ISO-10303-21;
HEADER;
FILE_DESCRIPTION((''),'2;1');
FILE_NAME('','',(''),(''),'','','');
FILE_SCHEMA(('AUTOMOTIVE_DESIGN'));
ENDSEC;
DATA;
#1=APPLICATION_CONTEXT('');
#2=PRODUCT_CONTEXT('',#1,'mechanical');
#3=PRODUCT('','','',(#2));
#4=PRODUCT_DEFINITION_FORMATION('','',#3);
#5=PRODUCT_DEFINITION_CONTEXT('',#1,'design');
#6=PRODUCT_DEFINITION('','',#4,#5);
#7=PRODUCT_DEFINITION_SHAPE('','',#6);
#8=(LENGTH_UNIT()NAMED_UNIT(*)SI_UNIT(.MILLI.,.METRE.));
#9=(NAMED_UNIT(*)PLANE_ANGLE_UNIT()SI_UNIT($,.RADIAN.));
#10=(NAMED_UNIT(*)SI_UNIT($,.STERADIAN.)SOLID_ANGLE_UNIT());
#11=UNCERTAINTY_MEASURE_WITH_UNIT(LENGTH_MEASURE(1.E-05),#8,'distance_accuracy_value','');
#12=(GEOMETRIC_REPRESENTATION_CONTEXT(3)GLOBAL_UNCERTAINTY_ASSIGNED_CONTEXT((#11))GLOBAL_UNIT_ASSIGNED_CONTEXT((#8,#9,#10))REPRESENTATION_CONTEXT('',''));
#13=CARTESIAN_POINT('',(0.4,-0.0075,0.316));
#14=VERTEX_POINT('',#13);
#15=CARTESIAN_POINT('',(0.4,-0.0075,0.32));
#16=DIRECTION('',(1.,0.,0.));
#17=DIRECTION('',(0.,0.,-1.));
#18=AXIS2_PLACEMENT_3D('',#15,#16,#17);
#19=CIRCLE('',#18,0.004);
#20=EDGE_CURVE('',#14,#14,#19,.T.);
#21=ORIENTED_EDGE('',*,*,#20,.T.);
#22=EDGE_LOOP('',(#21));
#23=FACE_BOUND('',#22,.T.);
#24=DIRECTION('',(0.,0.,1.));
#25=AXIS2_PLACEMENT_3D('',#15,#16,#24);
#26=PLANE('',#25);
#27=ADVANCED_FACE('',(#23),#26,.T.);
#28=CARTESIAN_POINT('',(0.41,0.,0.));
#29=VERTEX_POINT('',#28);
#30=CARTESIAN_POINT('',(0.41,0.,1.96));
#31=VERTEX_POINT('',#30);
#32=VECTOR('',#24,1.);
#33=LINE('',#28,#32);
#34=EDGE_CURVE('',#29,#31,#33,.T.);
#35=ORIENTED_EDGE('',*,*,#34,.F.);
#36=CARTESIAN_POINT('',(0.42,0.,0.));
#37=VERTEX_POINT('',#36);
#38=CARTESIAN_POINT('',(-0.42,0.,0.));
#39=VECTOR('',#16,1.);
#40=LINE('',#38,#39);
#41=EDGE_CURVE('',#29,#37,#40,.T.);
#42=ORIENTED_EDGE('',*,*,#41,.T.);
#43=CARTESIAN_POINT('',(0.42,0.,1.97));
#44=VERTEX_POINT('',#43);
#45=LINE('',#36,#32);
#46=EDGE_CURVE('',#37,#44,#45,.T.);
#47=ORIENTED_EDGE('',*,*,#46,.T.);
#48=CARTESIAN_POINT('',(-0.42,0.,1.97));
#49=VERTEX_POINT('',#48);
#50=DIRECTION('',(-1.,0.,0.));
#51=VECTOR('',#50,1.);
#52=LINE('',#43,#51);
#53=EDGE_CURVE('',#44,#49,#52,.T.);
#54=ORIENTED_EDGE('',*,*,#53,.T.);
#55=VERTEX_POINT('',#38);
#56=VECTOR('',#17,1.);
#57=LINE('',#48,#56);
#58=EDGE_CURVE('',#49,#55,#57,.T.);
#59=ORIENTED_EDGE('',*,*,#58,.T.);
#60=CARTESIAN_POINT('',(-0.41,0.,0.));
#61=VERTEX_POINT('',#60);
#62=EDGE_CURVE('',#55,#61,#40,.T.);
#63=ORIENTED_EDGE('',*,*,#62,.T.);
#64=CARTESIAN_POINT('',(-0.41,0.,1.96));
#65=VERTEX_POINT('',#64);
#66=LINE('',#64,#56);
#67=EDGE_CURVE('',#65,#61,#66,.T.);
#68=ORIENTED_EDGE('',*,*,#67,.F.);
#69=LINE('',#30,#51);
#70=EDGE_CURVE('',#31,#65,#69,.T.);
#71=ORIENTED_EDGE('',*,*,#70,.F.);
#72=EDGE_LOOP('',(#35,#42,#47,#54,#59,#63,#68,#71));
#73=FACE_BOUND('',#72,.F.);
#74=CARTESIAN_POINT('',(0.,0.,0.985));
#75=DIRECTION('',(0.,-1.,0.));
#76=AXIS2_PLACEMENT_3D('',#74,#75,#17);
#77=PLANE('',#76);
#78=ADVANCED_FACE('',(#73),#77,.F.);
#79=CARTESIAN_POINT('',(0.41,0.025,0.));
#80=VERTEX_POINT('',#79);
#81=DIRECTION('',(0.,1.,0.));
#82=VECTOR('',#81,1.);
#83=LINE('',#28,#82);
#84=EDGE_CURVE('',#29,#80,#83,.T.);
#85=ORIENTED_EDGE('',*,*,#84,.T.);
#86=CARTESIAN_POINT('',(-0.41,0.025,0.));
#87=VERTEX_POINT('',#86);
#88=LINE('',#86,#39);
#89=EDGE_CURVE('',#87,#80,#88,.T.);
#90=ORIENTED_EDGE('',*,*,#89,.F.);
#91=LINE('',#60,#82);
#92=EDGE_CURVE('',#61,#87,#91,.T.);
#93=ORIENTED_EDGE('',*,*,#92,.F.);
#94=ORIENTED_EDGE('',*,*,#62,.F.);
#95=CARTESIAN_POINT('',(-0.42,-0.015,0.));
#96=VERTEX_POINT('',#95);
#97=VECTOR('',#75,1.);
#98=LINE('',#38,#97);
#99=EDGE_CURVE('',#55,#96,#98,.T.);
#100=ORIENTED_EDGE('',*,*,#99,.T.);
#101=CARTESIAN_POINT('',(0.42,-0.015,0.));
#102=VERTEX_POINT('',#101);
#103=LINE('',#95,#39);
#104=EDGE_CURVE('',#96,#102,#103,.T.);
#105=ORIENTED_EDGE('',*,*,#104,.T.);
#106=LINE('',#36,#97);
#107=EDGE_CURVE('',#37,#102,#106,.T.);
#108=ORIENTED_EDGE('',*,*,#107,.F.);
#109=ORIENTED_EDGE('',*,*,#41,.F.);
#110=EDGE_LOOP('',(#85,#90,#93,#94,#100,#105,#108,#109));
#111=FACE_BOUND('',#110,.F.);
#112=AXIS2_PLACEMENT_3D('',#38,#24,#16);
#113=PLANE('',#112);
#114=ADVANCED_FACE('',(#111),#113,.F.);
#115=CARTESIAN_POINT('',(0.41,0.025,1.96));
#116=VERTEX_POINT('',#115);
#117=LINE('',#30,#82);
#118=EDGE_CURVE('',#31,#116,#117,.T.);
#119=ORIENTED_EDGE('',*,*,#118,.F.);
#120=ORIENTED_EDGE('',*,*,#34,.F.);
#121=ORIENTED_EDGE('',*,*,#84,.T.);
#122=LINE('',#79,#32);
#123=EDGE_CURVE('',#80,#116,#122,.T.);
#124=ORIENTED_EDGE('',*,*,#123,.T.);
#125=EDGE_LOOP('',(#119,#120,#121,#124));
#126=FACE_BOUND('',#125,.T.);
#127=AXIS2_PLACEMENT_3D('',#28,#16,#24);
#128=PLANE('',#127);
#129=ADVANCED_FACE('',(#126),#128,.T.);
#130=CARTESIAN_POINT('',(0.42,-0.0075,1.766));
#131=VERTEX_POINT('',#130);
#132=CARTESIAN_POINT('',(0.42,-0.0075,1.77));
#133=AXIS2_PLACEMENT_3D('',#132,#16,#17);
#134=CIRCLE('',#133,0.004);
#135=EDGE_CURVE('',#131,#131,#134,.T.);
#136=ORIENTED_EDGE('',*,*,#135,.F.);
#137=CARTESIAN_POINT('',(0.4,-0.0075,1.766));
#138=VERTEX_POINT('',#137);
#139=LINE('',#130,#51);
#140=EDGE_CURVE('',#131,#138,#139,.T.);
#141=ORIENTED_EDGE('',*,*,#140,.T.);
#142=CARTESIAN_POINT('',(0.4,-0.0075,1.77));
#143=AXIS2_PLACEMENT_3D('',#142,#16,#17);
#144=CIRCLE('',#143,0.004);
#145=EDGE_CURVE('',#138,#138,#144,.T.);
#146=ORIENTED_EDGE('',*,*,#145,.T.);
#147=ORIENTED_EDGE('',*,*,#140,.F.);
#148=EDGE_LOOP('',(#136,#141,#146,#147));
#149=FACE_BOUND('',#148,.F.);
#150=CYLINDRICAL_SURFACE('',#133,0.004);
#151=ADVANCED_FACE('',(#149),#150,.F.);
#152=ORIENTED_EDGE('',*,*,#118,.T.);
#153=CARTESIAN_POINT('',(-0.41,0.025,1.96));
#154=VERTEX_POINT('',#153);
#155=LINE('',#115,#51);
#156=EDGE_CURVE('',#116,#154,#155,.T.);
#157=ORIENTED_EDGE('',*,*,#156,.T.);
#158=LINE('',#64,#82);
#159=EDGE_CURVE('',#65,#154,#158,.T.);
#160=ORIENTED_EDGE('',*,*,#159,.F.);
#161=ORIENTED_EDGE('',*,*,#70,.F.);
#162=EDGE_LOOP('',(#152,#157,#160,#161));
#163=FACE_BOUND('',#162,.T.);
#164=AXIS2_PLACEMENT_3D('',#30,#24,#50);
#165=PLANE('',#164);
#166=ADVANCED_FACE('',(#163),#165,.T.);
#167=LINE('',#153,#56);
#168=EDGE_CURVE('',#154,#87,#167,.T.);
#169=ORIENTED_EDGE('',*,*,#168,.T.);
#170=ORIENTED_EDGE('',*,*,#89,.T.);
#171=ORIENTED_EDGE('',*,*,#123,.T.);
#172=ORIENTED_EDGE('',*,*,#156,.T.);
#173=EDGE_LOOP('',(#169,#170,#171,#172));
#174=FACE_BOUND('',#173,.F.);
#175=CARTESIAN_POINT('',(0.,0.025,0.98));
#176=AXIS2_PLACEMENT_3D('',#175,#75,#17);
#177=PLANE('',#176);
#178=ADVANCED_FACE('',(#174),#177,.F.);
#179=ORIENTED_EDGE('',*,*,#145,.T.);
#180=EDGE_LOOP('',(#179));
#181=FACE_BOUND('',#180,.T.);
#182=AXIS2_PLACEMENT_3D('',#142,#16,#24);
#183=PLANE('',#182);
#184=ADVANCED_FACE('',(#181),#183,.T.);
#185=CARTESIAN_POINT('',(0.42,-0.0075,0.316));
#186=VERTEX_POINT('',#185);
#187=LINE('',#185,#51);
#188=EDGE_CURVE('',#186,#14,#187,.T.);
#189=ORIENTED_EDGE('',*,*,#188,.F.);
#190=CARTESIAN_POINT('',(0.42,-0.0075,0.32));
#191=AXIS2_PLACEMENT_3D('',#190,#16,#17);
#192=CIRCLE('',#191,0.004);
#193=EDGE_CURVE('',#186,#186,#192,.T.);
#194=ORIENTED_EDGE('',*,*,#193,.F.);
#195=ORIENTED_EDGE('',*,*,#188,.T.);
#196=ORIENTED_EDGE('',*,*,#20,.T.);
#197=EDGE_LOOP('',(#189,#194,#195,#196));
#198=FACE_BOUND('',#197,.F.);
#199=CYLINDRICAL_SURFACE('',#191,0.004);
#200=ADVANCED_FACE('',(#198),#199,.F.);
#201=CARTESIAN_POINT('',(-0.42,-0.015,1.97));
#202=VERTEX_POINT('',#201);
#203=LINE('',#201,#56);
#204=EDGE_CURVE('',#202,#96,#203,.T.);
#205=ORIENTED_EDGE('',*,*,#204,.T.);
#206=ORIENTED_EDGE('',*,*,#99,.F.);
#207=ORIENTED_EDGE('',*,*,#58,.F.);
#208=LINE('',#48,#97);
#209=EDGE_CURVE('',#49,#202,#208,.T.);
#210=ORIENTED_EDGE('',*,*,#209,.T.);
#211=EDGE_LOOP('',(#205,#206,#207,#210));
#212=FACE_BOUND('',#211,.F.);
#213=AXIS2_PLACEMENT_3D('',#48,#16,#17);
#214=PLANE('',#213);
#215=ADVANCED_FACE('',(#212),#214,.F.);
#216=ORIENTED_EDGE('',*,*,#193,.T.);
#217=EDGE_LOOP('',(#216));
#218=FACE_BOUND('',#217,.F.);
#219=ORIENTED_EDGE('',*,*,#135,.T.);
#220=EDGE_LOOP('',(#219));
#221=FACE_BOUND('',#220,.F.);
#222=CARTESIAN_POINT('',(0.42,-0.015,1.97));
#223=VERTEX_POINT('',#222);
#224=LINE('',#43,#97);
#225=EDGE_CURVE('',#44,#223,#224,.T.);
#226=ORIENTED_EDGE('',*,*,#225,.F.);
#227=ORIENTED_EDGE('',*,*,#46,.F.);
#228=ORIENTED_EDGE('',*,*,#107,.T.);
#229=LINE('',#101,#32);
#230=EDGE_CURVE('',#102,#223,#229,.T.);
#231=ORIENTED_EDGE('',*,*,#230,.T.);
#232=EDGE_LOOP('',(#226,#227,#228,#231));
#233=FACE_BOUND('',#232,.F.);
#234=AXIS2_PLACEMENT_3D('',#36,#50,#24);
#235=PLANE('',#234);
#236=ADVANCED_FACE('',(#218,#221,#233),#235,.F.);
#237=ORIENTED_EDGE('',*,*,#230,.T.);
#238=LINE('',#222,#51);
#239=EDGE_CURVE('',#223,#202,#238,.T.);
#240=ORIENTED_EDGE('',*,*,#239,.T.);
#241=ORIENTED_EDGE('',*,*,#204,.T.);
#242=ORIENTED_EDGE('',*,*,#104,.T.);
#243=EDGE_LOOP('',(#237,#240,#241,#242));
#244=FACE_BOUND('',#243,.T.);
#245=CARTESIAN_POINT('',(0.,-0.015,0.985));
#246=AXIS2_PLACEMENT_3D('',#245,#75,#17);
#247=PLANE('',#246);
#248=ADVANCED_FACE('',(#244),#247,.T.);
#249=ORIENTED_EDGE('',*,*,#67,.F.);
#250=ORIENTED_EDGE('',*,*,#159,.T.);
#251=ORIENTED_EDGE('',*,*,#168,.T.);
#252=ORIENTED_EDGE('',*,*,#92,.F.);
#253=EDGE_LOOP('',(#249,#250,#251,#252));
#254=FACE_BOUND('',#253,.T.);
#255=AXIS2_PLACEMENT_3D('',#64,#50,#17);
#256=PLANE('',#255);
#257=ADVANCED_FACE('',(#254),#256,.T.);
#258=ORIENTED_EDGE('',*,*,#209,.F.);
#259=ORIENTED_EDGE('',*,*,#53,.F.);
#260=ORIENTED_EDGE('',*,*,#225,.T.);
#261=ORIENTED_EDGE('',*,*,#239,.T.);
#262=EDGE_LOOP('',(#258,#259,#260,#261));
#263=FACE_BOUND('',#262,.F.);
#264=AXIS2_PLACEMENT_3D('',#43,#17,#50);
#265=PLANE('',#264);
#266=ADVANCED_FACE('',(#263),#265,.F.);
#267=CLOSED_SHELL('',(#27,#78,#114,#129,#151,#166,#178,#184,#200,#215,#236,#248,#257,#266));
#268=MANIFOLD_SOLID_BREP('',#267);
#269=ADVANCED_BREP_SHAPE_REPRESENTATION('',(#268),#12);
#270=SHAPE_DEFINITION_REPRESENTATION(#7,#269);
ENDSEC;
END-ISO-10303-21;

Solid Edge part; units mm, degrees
sketch "Sketch1" plane through (0, 0, 0) normal (0, -1, 0) x (1, 0, 0)
  line L0 (-0.41, 0) -> (0.41, 0)
  line L1 (0.41, 0) -> (0.41, 1.96)
  line L2 (0.41, 1.96) -> (-0.41, 1.96)
  line L3 (-0.41, 1.96) -> (-0.41, 0)
  dimension "D1" = 1.96
  dimension "D2" = 0.82
extrude "Protrusion1" add sketch "Sketch1" against normal blind 0.025
sketch "Sketch2" plane through (0, 0, 0.98) normal (0, -1, 0) x (1, 0, 0)
  line L0 (-0.42, -0.98) -> (0.42, -0.98)
  line L1 (0.42, -0.98) -> (0.42, 0.99)
  line L2 (0.42, 0.99) -> (-0.42, 0.99)
  line L3 (-0.42, 0.99) -> (-0.42, -0.98)
extrude "Ausprägung_2" add sketch "Sketch2" along normal blind 0.015
sketch "Sketch3" plane through (0.42, -0.0075, 0.985) normal (1, 0, 0) x (0, 0, -1)
  circle A0 centre (-0.785, 0) radius 0.004
  circle A1 centre (0.502, 0.124) radius 0.0097
  circle A2 centre (0.665, 0) radius 0.004
  dimension "D1" = 0.008
  dimension "D2" = 1.45
  dimension "D3" = 0.0075
  dimension "D4" = 0.32
extrude "Cutout1" cut sketch "Sketch3" against normal blind 0.02
extrude "Cutout2" [suppressed]
extrude "Ausprägung_3" [suppressed]
